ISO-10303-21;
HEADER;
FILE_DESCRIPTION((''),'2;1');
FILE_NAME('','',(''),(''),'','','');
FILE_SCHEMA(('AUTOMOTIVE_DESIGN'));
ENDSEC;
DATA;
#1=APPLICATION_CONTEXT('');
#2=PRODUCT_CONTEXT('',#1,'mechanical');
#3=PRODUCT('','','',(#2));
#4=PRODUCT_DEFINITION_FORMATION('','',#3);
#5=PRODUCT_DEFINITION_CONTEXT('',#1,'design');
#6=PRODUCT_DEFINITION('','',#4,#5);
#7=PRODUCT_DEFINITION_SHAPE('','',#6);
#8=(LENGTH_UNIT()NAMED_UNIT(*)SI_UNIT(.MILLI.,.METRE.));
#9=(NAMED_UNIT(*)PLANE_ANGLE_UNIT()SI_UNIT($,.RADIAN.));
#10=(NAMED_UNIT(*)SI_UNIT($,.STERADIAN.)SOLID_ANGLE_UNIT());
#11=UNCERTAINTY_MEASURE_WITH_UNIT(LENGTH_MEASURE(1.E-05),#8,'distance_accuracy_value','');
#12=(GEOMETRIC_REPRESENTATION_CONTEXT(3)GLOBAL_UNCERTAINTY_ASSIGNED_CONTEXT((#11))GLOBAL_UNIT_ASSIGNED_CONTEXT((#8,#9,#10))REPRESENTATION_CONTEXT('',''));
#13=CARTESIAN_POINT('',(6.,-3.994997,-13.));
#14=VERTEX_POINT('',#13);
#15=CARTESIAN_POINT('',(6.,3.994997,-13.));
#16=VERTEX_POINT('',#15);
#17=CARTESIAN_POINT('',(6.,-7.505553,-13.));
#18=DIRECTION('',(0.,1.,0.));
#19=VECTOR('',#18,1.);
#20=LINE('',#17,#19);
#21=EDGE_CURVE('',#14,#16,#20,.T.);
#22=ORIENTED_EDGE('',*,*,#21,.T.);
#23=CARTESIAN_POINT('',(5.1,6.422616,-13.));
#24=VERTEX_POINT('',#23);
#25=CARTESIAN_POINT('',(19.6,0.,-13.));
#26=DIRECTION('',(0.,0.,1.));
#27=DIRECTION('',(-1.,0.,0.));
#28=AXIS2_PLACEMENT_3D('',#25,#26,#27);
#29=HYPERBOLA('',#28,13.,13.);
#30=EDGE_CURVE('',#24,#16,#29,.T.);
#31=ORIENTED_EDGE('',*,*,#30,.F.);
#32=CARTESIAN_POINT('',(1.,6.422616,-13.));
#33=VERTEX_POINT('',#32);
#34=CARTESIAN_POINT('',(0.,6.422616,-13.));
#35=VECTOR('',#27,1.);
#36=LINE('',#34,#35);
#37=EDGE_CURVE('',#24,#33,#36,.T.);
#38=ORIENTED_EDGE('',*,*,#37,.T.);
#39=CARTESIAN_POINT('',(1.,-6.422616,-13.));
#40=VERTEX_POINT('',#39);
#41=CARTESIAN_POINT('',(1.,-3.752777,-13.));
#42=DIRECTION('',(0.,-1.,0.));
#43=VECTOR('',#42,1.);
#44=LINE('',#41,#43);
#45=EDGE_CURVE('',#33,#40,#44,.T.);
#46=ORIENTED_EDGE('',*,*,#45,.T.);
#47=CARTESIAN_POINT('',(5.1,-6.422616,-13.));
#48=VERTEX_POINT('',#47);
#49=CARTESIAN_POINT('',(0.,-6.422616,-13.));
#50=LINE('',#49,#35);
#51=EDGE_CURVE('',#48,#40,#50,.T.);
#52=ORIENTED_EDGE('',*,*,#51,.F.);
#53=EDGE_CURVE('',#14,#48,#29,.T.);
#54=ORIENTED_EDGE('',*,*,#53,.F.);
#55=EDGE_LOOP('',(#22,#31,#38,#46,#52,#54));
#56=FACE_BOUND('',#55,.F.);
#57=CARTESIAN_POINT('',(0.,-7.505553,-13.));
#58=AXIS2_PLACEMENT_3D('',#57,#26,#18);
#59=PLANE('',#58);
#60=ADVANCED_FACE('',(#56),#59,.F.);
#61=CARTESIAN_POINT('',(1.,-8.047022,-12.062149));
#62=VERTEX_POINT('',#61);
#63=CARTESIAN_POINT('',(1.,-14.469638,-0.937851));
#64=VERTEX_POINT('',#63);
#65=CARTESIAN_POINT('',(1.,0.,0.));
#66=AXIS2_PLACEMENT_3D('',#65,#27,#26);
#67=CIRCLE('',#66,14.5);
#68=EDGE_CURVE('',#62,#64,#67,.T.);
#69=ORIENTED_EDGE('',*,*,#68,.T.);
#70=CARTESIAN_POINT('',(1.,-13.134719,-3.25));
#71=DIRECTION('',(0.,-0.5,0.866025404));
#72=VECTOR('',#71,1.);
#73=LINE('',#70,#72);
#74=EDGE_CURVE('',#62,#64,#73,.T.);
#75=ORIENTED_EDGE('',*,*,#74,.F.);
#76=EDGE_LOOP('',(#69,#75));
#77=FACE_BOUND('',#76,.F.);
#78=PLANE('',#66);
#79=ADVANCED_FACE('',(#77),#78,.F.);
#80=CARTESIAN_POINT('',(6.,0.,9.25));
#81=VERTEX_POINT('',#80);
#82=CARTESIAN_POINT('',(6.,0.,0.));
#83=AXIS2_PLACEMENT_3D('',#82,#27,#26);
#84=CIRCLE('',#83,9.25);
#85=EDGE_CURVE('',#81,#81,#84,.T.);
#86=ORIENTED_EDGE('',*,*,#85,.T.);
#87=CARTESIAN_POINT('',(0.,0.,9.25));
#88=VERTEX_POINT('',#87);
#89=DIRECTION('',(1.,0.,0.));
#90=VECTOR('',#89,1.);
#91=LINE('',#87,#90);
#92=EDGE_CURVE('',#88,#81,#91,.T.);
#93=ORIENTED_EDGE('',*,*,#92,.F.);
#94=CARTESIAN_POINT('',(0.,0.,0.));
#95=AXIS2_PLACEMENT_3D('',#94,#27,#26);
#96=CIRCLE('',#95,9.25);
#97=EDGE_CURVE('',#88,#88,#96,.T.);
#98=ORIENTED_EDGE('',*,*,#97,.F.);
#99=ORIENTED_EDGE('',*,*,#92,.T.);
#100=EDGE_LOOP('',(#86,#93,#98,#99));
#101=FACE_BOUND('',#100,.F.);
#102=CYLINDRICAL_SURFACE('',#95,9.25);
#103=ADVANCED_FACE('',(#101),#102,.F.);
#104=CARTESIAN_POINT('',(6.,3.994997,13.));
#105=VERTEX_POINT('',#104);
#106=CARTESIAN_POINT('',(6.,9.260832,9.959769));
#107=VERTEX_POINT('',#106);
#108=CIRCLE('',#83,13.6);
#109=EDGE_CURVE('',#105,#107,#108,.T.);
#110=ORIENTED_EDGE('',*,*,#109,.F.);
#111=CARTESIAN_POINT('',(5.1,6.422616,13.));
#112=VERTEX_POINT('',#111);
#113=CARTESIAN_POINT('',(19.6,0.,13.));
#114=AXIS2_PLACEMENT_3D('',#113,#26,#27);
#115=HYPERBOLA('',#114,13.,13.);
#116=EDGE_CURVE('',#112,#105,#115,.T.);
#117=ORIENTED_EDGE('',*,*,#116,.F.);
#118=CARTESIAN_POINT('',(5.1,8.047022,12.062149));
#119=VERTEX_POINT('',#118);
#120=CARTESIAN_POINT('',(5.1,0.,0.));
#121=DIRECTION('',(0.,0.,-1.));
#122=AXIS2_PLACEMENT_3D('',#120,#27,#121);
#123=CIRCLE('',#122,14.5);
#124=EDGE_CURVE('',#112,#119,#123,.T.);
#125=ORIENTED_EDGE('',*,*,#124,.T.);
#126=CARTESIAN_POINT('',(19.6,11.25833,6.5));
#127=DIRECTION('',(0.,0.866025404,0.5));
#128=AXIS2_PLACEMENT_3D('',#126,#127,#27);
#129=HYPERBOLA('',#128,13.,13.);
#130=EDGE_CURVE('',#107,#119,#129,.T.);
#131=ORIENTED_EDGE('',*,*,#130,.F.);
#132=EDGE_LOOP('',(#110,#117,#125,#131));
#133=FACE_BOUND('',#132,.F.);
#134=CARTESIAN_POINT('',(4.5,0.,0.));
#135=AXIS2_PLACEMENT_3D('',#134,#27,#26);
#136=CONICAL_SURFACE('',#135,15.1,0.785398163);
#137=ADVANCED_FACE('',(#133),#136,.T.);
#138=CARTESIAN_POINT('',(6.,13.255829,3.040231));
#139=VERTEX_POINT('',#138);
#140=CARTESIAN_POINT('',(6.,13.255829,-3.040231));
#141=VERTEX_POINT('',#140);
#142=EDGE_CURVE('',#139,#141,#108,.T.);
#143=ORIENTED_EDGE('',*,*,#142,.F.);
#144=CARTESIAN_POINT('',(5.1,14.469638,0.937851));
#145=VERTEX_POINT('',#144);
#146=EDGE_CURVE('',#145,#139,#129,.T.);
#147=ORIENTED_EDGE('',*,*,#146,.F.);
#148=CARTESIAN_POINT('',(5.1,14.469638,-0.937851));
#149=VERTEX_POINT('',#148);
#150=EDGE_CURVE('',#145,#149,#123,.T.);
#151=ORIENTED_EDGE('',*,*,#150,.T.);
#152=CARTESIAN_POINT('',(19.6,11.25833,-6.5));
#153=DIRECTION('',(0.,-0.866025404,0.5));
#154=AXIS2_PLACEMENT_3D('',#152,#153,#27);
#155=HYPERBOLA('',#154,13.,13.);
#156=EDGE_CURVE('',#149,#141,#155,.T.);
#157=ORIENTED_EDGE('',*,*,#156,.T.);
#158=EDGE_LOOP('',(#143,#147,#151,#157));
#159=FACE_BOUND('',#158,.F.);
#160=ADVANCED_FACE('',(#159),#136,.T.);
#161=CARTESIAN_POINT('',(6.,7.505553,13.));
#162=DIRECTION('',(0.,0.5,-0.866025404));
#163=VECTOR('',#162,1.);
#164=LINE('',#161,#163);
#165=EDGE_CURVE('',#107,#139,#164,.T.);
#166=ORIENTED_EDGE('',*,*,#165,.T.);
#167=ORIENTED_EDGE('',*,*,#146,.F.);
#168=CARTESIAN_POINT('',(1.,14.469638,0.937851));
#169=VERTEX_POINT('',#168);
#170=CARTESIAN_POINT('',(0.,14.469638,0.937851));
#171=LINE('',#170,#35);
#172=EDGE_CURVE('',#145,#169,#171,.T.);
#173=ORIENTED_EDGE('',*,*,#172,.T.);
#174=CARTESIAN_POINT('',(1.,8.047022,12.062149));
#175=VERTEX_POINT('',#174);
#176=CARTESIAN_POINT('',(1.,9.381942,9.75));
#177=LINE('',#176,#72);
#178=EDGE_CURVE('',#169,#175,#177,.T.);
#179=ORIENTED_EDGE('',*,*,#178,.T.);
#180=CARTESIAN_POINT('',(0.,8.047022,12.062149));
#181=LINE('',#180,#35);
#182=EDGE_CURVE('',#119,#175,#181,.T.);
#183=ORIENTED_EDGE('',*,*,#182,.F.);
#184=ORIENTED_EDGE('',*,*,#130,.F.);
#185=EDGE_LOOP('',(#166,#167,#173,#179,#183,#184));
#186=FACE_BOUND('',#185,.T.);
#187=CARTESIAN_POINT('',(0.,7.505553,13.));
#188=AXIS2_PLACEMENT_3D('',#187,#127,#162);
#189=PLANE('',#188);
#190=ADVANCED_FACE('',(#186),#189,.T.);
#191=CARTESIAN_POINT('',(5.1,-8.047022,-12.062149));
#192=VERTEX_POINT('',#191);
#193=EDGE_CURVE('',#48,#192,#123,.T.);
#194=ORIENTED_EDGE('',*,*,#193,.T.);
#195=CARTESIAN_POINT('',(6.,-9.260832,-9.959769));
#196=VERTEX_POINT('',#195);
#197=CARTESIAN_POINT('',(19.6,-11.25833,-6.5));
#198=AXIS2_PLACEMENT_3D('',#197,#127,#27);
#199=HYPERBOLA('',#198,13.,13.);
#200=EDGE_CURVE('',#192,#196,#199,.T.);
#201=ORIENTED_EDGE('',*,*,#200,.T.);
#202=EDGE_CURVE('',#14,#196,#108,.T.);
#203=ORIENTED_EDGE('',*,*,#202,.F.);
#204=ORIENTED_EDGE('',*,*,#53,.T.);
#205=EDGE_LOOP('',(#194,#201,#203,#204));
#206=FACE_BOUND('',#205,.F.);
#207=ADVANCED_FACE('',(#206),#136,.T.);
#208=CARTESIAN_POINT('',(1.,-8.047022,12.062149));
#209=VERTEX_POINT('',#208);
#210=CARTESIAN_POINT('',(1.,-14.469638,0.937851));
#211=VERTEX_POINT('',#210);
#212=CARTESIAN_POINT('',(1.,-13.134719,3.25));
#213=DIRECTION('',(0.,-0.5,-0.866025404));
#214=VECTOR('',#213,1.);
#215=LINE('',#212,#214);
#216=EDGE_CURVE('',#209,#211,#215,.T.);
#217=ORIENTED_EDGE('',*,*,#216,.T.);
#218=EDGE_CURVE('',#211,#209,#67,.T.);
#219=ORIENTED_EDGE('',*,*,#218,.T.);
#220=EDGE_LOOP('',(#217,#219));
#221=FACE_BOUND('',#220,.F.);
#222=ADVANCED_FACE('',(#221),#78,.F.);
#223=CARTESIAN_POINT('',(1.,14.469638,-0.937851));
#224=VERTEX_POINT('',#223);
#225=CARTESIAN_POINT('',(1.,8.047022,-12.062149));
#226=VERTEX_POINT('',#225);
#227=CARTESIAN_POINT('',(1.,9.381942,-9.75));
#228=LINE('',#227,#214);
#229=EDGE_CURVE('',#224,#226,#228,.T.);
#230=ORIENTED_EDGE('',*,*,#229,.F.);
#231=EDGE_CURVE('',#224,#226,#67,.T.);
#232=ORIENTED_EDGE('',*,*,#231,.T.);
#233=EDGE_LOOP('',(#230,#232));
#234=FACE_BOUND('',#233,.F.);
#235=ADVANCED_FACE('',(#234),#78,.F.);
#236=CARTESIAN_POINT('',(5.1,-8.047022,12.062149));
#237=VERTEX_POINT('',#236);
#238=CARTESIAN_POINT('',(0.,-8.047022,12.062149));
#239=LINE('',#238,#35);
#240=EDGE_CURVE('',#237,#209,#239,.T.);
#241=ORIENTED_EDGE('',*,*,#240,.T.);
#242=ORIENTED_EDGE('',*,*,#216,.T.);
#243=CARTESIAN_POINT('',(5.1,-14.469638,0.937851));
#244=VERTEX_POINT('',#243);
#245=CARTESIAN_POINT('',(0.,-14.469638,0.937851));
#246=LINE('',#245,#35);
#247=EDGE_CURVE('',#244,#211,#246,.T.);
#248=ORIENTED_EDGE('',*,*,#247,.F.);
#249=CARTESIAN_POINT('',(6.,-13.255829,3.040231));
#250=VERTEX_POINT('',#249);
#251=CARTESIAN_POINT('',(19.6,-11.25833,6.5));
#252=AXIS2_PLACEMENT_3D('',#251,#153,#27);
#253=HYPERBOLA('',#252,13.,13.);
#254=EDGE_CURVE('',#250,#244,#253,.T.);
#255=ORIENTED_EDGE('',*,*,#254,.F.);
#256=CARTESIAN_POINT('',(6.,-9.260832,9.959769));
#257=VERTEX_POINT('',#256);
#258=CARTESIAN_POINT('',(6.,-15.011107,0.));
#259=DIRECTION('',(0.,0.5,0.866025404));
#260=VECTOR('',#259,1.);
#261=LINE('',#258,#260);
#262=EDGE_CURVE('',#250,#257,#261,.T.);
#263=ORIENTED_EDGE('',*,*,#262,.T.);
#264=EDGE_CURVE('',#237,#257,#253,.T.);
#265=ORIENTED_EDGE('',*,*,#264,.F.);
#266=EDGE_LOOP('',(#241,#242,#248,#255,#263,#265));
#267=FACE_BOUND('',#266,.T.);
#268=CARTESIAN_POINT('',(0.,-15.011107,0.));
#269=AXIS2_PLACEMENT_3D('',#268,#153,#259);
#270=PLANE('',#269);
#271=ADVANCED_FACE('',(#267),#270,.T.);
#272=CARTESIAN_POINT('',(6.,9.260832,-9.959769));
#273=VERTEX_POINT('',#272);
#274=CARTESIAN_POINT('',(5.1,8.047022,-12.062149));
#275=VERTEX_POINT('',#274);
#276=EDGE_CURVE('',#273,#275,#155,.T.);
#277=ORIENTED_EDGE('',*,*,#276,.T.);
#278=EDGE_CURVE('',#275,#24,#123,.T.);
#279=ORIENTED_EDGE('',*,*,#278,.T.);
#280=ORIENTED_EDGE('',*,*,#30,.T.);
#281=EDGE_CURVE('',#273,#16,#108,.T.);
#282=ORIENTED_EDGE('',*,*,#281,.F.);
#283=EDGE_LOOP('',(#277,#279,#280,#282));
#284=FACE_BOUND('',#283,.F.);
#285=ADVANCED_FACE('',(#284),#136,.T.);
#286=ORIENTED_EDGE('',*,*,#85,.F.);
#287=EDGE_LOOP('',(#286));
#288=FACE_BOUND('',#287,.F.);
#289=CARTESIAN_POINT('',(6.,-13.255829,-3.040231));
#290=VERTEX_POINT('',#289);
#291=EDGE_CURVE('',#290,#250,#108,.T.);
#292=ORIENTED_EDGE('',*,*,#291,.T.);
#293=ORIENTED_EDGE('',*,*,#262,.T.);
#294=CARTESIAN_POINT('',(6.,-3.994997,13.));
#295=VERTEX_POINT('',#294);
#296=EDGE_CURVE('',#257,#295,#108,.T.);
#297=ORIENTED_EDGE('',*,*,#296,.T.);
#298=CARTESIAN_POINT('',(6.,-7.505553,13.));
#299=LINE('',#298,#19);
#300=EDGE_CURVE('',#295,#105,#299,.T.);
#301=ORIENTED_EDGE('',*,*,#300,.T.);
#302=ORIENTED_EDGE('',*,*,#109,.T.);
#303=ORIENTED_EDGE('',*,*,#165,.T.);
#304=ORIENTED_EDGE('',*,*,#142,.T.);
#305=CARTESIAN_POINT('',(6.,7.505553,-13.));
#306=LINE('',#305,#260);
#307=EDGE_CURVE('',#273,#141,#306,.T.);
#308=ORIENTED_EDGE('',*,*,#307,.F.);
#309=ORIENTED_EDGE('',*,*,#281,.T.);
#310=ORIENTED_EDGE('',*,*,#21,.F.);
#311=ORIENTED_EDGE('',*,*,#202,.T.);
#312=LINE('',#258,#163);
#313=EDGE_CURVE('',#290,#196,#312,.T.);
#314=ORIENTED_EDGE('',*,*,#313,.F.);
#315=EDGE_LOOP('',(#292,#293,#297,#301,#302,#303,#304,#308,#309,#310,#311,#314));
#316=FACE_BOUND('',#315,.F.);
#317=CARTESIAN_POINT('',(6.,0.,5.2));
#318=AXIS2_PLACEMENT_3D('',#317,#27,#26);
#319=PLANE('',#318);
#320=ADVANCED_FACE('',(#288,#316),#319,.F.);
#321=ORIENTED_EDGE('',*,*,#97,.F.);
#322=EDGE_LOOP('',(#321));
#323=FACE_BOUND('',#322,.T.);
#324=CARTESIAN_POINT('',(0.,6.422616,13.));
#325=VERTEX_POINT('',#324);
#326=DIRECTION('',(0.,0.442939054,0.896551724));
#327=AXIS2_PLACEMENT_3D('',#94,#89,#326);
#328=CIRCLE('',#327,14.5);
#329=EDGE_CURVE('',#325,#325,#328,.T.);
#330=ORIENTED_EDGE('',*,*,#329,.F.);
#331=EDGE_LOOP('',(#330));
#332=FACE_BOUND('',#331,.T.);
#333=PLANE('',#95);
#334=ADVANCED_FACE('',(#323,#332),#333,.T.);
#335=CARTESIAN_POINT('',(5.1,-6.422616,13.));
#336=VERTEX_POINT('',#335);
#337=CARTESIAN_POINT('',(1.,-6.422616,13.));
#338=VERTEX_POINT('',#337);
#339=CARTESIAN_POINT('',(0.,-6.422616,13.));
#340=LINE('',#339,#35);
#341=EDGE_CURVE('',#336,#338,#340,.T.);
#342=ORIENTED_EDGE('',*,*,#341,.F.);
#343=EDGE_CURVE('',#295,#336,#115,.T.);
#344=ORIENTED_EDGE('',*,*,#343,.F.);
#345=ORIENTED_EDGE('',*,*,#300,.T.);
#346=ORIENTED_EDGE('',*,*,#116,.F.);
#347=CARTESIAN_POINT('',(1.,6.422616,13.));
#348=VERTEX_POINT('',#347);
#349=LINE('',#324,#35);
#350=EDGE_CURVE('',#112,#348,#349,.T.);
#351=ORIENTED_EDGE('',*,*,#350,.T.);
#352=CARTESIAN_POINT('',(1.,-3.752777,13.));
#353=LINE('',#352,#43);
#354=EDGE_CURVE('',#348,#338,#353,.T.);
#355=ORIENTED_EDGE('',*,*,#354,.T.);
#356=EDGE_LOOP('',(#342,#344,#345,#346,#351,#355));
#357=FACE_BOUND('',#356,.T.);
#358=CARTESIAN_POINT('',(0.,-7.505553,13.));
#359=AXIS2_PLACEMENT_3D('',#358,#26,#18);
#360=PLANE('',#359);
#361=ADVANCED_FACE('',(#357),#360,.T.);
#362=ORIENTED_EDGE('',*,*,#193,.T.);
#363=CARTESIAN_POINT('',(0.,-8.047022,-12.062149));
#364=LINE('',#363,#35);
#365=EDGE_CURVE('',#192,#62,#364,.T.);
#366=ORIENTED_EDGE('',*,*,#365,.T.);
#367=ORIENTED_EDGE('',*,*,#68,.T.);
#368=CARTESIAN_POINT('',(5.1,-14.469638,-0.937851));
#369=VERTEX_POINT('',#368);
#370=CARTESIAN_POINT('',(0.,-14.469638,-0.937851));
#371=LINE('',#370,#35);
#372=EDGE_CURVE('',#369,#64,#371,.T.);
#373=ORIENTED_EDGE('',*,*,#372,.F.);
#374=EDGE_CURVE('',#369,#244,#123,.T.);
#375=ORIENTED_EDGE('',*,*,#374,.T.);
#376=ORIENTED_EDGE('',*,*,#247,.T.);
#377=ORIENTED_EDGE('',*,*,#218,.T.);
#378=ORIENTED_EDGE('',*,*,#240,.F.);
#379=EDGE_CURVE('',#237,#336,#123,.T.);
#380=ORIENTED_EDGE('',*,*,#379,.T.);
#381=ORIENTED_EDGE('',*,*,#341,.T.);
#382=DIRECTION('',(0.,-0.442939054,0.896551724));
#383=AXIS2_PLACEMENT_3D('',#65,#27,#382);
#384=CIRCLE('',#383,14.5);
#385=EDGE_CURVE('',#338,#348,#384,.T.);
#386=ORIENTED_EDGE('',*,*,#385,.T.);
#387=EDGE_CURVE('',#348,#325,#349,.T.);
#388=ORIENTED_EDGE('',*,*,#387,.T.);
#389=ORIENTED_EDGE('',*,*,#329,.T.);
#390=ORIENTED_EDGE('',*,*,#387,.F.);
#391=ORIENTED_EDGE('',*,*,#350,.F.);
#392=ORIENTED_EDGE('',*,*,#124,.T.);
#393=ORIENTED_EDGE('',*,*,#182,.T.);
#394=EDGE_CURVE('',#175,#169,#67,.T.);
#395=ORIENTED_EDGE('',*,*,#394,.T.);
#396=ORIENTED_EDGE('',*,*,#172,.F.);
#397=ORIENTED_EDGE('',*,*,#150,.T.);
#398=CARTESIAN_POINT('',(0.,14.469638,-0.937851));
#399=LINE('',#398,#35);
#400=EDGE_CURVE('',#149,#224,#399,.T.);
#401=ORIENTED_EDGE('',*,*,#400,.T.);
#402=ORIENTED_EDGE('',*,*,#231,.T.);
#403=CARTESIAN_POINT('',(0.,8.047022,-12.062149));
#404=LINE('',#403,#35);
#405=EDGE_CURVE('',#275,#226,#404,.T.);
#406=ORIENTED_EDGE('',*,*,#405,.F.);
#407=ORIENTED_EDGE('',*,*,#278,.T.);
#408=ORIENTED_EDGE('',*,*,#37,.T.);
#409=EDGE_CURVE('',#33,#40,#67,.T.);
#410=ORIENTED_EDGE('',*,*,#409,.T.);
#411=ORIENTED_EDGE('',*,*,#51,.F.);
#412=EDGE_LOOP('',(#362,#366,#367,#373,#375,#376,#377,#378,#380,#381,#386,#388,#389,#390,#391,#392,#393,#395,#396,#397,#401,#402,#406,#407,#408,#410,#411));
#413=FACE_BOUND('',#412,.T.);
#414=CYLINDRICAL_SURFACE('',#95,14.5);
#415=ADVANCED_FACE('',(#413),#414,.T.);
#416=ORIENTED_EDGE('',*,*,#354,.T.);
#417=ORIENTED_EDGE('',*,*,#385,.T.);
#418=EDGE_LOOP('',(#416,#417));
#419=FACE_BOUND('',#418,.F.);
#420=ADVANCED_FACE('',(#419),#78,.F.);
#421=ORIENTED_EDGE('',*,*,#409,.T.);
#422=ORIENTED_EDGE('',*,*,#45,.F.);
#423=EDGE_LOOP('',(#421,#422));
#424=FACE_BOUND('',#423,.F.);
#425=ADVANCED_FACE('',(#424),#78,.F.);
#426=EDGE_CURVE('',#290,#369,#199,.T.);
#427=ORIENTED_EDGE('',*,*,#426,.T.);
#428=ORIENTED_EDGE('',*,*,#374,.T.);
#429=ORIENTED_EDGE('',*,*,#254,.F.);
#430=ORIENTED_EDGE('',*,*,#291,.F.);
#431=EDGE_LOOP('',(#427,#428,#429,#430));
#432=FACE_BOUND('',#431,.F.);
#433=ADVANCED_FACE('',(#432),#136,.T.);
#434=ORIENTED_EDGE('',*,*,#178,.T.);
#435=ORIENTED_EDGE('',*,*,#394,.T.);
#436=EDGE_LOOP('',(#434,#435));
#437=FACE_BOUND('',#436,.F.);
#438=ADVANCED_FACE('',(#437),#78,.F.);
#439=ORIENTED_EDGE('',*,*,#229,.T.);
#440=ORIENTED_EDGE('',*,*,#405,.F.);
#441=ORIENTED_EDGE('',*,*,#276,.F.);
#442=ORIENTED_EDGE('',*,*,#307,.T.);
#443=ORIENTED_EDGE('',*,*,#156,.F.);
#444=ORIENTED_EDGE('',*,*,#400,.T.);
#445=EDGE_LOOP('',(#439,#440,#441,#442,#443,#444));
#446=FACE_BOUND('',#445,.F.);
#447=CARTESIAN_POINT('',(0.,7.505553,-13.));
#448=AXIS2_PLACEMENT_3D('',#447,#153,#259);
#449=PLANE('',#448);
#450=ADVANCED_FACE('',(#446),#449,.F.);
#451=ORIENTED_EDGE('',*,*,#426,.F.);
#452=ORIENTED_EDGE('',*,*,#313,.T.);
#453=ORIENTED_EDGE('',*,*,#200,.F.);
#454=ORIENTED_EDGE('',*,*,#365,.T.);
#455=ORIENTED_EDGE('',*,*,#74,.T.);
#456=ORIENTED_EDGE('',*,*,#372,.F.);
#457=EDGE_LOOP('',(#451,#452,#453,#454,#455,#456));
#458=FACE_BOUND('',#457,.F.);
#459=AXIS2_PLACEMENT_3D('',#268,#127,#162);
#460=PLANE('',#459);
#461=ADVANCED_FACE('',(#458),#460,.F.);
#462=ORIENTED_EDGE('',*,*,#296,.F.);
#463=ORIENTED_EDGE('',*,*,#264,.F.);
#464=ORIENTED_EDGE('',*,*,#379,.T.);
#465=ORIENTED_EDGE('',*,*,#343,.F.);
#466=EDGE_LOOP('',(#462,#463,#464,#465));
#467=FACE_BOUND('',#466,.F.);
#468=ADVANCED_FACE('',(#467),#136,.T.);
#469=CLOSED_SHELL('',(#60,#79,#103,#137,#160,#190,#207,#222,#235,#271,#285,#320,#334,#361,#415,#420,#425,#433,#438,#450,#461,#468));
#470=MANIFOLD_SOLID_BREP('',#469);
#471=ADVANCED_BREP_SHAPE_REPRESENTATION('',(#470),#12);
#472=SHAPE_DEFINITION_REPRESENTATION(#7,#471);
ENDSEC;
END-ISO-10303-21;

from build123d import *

# Parameters (mm, degrees)
EXTRUDE_1_DEPTH     = 6
SKETCH_3_R          = 14.5
EXTRUDE_2_DEPTH     = 1
SKETCH_4_R          = 15.011106999
SKETCH_4_R_2        = 14.5
CUT_EXTRUDE_1_DEPTH = 22.715969546
SKETCH_5_R          = 9.25
CUT_EXTRUDE_2_DEPTH = 22.365860619


with BuildPart() as part:
    # Эскиз1 → Вытянуть1 (new body)
    with BuildSketch(Plane(origin=(0, 0, 0), x_dir=(0, 0, -1), z_dir=(1, 0, 0))):
        Polygon((0, 15.011106999), (0, -15.011106999), (-13, -7.505553499), (-13, 7.505553499), align=None)
        Polygon((13, 7.505553499), (0, 15.011106999), (0, -15.011106999), (13, -7.505553499), align=None)
    extrude(amount=EXTRUDE_1_DEPTH)

    # Эскиз3 → Вытянуть2 (add)
    with BuildSketch(Plane.ZY):
        Circle(SKETCH_3_R)
    extrude(amount=-EXTRUDE_2_DEPTH)

    # Эскиз4 → Вырез-Вытянуть1 (cut, through all)
    with BuildSketch(Plane.ZY):
        Circle(SKETCH_4_R)
        Circle(SKETCH_4_R_2, mode=Mode.SUBTRACT)
    extrude(amount=-CUT_EXTRUDE_1_DEPTH, mode=Mode.SUBTRACT)

    # Эскиз5 → Вырез-Вытянуть2 (cut, through all)
    with BuildSketch(Plane.ZY):
        Circle(SKETCH_5_R)
    extrude(amount=-CUT_EXTRUDE_2_DEPTH, mode=Mode.SUBTRACT)

    # Эскиз6 → Вырез-Повернуть1 (revolve, cut)
    with BuildSketch(Plane.XY, mode=Mode.PRIVATE) as cut_revolve_1_sk:
        Polygon((4.5, 15.1), (6, 13.6), (6, 15.1), align=None)
    revolve(cut_revolve_1_sk.sketch.rotate(Axis((6, 0, 0), (-1, 0, 0)), 270), axis=Axis((6, 0, 0), (-1, 0, 0)), mode=Mode.SUBTRACT)


solid = part.part
